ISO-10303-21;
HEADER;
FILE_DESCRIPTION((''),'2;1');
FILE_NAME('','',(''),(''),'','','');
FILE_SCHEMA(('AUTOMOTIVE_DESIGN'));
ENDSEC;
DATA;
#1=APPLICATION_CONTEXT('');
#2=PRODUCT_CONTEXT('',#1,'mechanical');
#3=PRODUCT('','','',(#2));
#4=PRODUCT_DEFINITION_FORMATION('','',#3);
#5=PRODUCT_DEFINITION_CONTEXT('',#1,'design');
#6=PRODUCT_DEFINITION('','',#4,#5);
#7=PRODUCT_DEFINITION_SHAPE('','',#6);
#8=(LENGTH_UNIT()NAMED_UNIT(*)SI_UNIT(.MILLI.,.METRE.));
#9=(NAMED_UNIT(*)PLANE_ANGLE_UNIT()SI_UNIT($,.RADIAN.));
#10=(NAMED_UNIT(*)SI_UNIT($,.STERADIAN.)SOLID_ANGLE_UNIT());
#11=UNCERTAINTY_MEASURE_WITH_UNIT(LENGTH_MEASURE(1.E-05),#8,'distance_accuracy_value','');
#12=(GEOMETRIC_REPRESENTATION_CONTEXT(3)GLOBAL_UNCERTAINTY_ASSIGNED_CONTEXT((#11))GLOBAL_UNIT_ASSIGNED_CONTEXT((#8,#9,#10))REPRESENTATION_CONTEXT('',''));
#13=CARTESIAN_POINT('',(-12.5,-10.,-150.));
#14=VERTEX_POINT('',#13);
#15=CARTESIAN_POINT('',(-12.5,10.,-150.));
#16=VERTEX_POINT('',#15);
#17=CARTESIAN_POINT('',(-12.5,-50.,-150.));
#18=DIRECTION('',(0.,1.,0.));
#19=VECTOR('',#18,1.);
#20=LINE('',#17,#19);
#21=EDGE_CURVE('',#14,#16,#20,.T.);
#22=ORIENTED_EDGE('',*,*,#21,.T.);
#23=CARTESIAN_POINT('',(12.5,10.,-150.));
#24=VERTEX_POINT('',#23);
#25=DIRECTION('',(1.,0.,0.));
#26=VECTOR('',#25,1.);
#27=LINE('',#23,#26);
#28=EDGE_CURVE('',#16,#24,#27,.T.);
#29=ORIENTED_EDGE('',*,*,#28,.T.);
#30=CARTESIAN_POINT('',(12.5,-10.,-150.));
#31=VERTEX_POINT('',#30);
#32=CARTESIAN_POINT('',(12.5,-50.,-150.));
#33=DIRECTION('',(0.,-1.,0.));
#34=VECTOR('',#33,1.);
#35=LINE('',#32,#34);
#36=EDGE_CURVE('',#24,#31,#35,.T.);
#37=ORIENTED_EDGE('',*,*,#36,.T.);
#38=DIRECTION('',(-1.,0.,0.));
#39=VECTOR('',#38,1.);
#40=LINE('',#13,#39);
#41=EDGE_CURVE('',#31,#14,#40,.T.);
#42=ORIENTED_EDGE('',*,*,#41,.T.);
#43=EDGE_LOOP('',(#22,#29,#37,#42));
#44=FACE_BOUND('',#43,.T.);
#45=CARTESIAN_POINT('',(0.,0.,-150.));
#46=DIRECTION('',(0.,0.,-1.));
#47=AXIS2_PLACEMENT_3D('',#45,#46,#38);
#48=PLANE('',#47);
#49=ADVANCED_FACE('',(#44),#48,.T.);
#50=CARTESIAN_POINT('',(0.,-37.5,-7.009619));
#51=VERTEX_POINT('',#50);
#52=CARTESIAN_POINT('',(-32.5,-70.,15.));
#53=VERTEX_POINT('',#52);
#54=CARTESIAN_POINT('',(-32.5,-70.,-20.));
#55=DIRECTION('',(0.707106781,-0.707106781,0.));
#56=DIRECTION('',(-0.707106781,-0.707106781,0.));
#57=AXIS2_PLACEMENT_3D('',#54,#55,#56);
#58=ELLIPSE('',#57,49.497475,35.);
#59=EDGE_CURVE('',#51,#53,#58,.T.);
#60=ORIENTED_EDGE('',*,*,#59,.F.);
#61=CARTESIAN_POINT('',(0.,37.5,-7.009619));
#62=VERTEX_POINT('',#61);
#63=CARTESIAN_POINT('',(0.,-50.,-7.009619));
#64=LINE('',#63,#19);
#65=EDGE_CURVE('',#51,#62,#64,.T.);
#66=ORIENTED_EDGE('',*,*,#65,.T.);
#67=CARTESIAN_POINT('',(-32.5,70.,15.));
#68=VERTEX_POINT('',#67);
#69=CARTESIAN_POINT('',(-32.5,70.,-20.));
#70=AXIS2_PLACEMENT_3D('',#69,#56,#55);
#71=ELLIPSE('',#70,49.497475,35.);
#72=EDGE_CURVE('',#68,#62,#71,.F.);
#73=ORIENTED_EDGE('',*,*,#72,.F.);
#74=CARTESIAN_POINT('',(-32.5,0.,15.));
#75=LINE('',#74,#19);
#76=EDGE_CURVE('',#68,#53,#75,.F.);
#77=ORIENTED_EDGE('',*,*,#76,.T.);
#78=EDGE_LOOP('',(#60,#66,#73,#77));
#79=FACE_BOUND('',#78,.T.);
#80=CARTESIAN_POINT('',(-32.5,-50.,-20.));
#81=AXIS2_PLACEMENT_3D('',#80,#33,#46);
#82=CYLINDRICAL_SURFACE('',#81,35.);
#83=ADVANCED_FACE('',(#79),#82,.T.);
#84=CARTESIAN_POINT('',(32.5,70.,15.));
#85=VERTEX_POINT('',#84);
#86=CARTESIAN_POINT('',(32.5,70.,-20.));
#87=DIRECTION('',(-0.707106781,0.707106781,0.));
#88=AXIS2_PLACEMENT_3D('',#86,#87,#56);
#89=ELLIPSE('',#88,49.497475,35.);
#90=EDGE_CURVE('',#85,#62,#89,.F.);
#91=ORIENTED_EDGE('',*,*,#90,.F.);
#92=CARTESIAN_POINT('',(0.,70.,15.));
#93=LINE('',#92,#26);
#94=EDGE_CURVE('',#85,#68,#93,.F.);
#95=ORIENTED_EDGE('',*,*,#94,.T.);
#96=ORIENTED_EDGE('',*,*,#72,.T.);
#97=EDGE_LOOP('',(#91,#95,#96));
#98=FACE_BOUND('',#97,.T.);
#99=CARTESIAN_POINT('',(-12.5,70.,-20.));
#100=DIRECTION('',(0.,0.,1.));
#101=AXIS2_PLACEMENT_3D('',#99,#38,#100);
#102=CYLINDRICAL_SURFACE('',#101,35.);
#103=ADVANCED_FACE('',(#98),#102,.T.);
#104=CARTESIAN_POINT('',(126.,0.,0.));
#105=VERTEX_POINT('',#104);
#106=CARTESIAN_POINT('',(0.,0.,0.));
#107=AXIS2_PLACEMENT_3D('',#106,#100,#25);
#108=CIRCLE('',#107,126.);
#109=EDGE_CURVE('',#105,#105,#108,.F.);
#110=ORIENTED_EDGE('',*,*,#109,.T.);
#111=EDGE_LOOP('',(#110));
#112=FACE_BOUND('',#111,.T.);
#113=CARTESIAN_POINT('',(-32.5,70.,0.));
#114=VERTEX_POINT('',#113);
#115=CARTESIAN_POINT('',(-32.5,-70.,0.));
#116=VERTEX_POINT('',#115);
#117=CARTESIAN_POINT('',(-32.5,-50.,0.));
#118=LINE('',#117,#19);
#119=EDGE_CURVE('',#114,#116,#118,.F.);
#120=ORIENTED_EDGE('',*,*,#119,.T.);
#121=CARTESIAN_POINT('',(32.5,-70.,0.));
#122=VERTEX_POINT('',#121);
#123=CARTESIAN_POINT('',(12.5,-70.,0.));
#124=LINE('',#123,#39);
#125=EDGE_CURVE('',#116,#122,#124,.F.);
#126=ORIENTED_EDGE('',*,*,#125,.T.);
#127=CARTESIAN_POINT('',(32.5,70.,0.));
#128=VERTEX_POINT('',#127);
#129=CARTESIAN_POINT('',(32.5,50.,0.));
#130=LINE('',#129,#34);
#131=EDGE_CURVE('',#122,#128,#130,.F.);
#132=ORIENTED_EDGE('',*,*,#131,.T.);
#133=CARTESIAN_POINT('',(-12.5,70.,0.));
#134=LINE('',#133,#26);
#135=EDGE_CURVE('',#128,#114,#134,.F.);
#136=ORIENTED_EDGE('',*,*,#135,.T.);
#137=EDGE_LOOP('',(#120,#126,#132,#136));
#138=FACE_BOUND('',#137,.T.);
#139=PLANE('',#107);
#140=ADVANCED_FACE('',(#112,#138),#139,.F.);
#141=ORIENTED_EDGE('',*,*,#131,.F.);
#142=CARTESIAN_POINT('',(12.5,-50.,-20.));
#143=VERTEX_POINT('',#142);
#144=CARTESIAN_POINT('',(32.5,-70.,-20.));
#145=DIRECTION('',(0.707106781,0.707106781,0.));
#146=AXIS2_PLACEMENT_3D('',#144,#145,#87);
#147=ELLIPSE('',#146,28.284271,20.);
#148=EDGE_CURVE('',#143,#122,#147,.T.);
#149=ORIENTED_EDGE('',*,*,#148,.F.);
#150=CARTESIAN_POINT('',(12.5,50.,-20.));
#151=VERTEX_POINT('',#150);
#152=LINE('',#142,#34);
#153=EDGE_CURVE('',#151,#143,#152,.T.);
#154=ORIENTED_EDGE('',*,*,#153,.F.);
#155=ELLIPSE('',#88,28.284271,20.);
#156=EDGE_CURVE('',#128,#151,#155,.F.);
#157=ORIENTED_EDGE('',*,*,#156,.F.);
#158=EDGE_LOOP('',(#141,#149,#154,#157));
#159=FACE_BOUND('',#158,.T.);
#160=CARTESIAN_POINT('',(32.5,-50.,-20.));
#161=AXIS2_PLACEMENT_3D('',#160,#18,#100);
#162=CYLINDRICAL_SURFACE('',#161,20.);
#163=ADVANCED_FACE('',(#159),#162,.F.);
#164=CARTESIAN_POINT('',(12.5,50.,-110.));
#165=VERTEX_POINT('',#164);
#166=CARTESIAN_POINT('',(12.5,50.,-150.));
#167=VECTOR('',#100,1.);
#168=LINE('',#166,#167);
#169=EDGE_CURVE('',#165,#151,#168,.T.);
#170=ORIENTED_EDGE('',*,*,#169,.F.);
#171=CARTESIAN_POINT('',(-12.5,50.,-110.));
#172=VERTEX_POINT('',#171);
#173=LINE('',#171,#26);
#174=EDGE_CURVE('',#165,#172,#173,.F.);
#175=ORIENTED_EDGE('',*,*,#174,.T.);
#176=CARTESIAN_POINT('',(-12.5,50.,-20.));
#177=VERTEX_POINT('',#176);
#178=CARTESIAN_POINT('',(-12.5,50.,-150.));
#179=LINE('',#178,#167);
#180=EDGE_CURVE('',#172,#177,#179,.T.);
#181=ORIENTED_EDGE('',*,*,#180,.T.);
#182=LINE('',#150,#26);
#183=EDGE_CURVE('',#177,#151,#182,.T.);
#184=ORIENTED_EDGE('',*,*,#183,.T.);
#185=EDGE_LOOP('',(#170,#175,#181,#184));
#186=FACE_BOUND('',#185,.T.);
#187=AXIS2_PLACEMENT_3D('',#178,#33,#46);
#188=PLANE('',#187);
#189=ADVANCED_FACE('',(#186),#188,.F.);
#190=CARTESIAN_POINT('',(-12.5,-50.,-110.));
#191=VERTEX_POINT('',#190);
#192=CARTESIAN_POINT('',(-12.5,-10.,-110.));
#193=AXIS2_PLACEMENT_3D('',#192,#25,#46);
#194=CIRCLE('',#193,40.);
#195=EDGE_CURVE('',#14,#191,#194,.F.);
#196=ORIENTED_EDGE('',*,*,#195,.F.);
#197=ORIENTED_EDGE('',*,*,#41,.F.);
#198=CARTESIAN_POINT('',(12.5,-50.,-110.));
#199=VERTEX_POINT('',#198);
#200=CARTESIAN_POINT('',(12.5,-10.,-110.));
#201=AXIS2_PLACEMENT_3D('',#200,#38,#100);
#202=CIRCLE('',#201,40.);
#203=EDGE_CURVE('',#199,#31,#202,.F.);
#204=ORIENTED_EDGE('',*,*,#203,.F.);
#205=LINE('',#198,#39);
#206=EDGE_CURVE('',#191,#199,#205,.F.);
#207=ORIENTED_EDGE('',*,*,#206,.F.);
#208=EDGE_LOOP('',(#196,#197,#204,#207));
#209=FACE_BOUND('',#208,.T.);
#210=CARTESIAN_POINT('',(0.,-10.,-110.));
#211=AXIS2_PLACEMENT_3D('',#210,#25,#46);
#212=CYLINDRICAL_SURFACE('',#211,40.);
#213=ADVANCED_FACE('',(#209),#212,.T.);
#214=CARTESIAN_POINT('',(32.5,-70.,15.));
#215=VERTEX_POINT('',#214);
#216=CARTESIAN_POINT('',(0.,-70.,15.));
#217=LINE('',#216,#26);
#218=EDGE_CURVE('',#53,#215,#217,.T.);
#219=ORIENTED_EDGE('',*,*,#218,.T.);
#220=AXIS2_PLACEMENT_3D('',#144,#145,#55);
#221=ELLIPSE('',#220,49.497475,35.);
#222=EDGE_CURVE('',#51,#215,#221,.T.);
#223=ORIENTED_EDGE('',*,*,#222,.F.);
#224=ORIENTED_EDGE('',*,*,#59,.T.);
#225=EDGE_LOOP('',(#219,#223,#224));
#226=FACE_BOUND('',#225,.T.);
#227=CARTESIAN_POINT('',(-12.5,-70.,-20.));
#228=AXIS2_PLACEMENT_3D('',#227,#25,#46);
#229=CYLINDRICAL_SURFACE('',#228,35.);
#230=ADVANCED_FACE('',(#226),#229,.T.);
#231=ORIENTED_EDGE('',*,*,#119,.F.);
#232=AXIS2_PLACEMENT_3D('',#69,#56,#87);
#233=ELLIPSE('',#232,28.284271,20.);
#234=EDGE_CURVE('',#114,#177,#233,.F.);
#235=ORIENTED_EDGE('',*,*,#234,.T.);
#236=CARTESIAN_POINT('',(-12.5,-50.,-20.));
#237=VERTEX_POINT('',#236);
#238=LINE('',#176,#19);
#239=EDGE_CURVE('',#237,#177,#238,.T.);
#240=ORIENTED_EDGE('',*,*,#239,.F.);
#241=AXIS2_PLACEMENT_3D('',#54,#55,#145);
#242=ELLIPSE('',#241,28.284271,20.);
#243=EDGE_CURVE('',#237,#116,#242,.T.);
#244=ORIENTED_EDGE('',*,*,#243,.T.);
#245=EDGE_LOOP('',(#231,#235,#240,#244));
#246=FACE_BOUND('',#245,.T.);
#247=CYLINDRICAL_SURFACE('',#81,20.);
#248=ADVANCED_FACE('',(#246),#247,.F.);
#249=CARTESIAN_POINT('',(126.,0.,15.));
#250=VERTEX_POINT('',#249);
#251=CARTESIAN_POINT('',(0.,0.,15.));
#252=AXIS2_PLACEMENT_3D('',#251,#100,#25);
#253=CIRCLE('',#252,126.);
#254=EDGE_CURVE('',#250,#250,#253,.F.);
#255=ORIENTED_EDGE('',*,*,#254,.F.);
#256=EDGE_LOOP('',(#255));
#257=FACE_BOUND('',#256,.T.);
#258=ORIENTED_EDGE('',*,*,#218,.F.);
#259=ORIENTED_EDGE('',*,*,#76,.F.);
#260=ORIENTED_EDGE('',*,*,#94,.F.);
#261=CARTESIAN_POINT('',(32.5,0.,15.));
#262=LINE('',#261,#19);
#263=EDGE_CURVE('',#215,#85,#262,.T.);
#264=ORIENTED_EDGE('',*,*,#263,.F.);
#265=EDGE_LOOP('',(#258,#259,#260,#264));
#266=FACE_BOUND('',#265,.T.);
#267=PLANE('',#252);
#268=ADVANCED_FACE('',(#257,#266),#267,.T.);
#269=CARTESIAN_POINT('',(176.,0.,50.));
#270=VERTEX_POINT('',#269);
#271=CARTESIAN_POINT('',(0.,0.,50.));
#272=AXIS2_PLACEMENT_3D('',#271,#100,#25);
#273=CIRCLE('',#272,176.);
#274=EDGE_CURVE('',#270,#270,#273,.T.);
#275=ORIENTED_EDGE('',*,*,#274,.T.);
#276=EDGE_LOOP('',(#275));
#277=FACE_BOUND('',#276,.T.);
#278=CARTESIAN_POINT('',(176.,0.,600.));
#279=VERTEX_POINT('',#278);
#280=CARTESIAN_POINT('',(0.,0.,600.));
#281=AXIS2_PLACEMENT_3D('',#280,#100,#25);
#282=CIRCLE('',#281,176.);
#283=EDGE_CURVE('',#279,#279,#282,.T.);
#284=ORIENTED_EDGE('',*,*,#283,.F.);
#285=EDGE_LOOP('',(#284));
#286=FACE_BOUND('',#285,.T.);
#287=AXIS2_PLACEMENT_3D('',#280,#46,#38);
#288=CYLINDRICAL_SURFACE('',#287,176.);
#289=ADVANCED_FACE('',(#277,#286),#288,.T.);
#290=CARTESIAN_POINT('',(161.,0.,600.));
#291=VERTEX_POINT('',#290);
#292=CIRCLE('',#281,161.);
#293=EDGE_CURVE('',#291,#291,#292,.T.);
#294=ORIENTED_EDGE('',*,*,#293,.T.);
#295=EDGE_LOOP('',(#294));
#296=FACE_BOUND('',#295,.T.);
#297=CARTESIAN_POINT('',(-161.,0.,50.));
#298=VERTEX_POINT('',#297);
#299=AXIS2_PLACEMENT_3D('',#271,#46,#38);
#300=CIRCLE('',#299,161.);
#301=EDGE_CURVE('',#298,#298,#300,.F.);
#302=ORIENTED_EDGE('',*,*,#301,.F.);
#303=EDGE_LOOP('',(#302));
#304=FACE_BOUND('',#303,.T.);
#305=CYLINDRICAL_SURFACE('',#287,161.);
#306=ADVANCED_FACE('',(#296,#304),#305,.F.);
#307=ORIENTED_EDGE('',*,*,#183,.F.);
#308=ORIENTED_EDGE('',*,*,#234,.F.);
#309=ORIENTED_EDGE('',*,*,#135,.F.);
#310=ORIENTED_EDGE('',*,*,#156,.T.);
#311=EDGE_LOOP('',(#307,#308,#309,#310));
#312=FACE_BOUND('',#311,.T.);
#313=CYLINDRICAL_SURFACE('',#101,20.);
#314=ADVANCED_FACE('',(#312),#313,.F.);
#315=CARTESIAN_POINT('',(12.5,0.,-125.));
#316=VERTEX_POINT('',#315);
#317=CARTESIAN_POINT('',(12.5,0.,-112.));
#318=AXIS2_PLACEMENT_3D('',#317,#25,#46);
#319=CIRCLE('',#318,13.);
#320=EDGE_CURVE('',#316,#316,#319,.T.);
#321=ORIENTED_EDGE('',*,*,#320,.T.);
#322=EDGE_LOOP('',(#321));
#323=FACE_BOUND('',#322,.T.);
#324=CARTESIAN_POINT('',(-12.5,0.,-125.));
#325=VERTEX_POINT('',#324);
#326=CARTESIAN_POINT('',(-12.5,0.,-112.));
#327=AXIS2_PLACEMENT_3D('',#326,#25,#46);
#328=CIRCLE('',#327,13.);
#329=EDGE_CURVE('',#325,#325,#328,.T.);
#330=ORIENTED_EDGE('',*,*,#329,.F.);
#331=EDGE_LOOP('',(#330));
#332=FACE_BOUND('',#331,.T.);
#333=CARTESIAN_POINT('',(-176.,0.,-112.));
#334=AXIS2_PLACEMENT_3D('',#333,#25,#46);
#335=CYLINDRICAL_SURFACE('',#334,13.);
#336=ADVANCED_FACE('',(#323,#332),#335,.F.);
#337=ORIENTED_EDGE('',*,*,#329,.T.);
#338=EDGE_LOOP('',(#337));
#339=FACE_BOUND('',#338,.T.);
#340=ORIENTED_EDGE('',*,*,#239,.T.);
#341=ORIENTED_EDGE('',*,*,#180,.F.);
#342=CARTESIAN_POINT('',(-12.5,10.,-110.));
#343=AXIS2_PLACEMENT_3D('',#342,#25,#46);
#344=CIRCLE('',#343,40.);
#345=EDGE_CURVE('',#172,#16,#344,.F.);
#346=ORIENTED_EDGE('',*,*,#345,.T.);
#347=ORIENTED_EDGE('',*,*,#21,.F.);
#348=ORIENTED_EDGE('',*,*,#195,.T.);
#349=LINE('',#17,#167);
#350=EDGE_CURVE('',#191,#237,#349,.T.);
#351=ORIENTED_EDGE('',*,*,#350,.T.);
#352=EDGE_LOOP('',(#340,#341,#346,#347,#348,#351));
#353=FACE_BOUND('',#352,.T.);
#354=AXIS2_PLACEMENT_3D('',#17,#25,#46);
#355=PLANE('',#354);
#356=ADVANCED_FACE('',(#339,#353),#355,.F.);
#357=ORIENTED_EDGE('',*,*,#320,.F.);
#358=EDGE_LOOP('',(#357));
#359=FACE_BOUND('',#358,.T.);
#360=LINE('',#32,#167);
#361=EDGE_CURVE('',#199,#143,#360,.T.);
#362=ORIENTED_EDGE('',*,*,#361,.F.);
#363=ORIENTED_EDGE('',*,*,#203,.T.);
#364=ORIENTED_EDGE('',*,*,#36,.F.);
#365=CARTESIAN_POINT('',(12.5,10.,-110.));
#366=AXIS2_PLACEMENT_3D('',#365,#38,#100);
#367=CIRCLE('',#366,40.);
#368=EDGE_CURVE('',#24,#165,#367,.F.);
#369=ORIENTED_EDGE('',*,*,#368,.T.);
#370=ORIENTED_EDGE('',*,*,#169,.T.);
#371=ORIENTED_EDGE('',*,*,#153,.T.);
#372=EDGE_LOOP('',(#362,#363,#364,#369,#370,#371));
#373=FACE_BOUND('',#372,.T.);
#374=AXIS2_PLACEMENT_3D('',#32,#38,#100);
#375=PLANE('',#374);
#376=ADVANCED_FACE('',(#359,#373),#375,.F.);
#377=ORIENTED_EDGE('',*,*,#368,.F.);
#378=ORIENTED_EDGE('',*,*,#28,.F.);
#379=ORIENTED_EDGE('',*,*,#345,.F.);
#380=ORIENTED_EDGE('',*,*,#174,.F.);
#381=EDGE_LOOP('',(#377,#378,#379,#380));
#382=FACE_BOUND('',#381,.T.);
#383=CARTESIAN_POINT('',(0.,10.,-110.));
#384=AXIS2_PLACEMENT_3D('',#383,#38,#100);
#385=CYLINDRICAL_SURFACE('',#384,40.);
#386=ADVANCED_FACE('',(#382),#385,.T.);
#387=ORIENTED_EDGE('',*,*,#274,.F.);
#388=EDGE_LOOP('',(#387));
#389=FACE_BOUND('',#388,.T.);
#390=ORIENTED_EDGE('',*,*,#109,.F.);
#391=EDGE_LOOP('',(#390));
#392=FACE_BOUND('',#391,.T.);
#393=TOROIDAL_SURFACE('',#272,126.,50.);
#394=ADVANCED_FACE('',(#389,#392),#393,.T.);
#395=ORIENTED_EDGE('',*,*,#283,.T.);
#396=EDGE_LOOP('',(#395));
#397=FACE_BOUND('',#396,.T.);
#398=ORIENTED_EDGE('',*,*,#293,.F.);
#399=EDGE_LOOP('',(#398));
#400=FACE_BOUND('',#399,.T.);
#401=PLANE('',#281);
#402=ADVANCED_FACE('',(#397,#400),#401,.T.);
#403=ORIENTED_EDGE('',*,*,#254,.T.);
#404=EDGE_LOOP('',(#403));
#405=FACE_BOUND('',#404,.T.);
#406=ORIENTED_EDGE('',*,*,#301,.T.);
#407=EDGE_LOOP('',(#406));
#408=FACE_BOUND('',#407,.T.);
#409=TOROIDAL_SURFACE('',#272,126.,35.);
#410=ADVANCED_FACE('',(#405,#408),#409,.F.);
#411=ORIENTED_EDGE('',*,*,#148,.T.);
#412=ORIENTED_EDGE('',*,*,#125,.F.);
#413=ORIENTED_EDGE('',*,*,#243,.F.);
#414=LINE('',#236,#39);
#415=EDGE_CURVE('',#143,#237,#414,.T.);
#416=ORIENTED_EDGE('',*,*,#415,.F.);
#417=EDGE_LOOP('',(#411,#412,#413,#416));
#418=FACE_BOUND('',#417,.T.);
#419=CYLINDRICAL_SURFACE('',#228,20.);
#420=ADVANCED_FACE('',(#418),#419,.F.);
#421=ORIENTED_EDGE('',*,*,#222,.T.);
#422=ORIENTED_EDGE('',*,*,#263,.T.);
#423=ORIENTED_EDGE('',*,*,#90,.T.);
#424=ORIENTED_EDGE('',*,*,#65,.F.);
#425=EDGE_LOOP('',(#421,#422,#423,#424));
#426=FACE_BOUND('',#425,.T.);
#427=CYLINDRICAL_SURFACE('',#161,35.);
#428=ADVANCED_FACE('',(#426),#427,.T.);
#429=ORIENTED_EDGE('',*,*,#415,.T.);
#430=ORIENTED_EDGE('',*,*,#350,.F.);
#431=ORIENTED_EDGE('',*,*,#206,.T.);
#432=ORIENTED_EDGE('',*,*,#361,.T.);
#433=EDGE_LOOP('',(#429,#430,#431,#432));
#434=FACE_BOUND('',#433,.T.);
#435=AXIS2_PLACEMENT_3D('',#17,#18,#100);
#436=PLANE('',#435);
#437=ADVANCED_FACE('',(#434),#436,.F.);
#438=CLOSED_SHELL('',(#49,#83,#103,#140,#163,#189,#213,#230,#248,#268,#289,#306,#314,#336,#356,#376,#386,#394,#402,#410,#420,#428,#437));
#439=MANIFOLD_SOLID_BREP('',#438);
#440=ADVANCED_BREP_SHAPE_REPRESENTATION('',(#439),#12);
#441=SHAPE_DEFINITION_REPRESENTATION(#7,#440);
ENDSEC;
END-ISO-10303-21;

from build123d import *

# Parameters (mm, degrees)
SKETCH1_R           = 176
BOSS_EXTRUDE1_DEPTH = 600
SKETCH2_W           = 25
SKETCH2_H           = 100
BOSS_EXTRUDE2_DEPTH = 150
SKETCH3_R           = 13
CUT_EXTRUDE1_DEPTH  = 654.075990984
FILLET1_R           = 40
FILLET3_R           = 20
FILLET4_R           = 50
SHELL1_T            = -15


with BuildPart() as part:
    # Sketch1 → Boss-Extrude1 (new body)
    with BuildSketch(Plane.XY):
        Circle(SKETCH1_R)
    extrude(amount=BOSS_EXTRUDE1_DEPTH)

    # Sketch2 → Boss-Extrude2 (add)
    with BuildSketch(Plane(origin=(0, 0, 0), x_dir=(-1, 0, 0), z_dir=(0, 0, -1))):
        Rectangle(SKETCH2_W, SKETCH2_H)
    extrude(amount=BOSS_EXTRUDE2_DEPTH)

    # Sketch3 → Cut-Extrude1 (cut, through all)
    with BuildSketch(Plane(origin=(12.5, 0, 0), x_dir=(0, 0, -1), z_dir=(1, 0, 0))):
        with Locations((112, 0)):
            Circle(SKETCH3_R)
    extrude(amount=-CUT_EXTRUDE1_DEPTH, mode=Mode.SUBTRACT)

    # Fillet1
    fillet1_edges = [part.edges().sort_by_distance(p)[0] for p in [
        (0, 50, -150),
        (0, -50, -150),
    ]]
    fillet(fillet1_edges, radius=FILLET1_R)

    # Fillet3
    fillet3_edges = [part.edges().sort_by_distance(p)[0] for p in [
        (12.5, 0, 0),
        (0, -50, 0),
        (-12.5, 0, 0),
        (0, 50, 0),
    ]]
    fillet(fillet3_edges, radius=FILLET3_R)

    # Fillet4
    fillet4_edges = [part.edges().sort_by_distance(p)[0] for p in [
        (-176, 0, 0),
    ]]
    fillet(fillet4_edges, radius=FILLET4_R)

    # Shell1
    shell1_openings = [part.faces().sort_by_distance(p)[0] for p in [
        (0, 0, 600),
    ]]
    offset(amount=SHELL1_T, openings=shell1_openings)


solid = part.part
